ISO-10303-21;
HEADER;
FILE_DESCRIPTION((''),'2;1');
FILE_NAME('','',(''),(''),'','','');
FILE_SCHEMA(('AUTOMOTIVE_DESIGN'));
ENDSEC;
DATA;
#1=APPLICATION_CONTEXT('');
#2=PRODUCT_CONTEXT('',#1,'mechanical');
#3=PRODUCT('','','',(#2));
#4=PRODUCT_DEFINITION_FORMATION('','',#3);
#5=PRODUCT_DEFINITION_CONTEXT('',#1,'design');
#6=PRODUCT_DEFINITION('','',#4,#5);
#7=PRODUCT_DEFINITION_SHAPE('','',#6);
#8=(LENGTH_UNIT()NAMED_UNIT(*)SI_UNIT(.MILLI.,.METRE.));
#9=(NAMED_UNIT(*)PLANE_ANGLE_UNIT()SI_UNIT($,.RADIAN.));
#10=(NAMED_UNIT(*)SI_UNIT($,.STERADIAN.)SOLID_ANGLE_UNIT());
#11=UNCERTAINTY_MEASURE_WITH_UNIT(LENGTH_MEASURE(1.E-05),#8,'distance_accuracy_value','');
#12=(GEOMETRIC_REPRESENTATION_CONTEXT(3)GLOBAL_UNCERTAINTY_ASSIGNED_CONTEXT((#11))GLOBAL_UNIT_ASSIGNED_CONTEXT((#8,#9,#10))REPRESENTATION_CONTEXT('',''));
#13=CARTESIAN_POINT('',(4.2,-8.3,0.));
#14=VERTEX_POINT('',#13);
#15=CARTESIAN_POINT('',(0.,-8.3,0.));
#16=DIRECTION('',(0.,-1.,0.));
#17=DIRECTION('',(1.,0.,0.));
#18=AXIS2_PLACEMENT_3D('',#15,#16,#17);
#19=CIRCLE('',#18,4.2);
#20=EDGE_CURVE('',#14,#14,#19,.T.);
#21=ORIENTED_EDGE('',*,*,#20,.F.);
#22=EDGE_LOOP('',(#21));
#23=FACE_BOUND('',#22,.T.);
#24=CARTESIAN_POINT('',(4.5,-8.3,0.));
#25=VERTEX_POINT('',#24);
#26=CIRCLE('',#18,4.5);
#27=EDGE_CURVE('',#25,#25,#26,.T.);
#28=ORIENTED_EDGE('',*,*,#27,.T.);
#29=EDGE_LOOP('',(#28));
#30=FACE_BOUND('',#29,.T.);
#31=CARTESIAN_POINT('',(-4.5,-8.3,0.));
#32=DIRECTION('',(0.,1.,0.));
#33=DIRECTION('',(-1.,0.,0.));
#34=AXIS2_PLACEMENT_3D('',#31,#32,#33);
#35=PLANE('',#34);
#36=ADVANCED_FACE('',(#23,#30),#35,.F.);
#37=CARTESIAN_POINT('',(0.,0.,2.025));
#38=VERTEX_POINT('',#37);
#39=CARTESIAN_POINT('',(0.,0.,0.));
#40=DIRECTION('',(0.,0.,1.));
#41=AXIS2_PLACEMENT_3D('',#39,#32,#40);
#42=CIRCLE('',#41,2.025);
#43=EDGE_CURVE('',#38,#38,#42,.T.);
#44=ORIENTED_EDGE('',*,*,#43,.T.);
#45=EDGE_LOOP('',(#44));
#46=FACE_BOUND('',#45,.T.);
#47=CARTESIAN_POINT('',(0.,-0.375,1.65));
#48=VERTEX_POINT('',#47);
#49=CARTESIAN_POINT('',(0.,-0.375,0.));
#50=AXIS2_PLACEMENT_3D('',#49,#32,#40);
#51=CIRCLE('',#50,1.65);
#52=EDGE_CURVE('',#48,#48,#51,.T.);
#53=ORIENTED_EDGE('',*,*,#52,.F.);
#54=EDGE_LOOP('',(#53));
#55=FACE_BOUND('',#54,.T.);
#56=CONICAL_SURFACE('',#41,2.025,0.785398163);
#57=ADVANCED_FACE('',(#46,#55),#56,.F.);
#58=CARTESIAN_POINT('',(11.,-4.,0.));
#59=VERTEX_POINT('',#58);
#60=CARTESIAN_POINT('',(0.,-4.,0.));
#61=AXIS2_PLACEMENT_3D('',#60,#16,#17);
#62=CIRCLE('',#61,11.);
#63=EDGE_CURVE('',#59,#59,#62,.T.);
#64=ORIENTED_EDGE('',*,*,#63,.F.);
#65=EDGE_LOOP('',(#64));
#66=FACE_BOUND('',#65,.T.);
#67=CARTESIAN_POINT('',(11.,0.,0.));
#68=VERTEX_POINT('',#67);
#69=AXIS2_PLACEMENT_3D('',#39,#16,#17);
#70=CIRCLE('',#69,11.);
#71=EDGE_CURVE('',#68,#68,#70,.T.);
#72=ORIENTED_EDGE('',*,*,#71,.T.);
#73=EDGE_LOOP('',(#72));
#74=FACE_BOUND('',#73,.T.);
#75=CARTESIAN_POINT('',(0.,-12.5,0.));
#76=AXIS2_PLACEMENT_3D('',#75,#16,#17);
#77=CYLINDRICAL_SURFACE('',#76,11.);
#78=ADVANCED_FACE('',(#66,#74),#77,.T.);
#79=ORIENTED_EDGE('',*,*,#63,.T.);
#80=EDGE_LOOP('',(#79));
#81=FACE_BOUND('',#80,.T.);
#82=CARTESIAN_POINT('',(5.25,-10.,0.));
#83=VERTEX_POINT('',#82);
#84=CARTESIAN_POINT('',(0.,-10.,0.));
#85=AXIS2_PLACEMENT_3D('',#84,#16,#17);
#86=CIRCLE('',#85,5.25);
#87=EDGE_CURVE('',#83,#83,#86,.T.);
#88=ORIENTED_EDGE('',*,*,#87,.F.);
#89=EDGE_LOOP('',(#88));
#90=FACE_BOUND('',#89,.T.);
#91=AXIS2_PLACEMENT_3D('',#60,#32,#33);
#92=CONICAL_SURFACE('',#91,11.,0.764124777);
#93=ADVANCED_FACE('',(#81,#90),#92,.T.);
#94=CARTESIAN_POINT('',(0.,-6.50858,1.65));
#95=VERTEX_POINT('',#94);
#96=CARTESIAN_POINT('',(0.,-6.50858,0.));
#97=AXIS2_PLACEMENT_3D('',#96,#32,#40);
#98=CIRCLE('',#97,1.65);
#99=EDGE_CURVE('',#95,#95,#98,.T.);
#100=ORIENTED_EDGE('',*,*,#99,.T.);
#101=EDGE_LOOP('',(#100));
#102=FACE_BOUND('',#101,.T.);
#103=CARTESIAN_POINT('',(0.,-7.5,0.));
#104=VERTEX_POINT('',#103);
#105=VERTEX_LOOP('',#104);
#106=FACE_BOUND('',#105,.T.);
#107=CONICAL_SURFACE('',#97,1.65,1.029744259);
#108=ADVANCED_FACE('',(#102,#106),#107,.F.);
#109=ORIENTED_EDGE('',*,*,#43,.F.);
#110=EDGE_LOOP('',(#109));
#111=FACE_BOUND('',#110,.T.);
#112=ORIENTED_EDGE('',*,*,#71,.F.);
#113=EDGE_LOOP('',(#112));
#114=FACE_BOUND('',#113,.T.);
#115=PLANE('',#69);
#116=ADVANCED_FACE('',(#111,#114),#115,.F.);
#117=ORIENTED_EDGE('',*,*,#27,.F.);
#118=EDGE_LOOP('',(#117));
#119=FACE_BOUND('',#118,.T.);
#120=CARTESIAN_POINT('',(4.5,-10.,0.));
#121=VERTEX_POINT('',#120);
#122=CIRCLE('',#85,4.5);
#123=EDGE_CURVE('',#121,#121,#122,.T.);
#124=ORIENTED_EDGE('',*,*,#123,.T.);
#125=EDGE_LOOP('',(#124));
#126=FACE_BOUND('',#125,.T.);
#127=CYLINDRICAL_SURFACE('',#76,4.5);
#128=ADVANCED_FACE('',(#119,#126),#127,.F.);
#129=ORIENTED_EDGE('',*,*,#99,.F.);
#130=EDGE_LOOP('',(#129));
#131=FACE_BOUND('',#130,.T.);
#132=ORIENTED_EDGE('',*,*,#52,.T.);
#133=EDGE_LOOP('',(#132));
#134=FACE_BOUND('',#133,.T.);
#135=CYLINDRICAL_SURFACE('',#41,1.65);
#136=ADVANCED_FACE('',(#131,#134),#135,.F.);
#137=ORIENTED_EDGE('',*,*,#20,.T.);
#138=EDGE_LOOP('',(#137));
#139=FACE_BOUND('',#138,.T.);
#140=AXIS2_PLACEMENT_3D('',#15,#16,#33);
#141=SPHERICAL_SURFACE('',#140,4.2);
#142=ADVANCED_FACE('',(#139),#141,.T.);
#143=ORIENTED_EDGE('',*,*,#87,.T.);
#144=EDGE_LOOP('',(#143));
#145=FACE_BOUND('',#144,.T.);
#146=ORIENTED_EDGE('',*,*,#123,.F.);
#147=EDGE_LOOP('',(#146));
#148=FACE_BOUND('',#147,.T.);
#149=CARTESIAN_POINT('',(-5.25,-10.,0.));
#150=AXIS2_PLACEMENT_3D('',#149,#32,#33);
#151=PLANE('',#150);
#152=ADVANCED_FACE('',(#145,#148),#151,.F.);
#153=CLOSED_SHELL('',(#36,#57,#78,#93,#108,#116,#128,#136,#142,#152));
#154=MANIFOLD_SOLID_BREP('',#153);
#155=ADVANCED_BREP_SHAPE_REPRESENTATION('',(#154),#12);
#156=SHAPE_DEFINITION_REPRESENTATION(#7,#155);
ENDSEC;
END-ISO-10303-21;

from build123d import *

# Parameters (mm, degrees)
M4X0_7_TAPPED_HOLE1_D           = 3.3
M4X0_7_TAPPED_HOLE1_DEPTH       = 6.508579979
M4X0_7_TAPPED_HOLE1_CSINK_D     = 4.05
M4X0_7_TAPPED_HOLE1_CSINK_ANGLE = 90
M4X0_7_TAPPED_HOLE1_TIP         = 0.991420021


with BuildPart() as part:
    # Sketch1 → Revolve1 (revolve)
    with BuildSketch(Plane.XY, mode=Mode.PRIVATE) as revolve1_sk:
        with BuildLine():
            Line((0, 0), (-11, 0))
            Line((-11, 0), (-11, -4))
            Line((-11, -4), (-5.25, -10))
            Line((-5.25, -10), (-4.5, -10))
            Line((-4.5, -10), (-4.5, -8.3))
            Line((-4.5, -8.3), (-4.2, -8.3))
            ThreePointArc((-4.2, -8.3), (-2.969848481, -11.269848481), (0, -12.5))
            Line((0, -12.5), (0, 0))
        make_face()
    revolve(revolve1_sk.sketch.rotate(Axis((0, -12.5, 0), (0, 1, 0)), 180), axis=Axis((0, -12.5, 0), (0, 1, 0)))

    # M4x0.7 Tapped Hole1
    with Locations(Plane(origin=(0, 0, 0), x_dir=(1, 0, 0), z_dir=(0, 1, 0))):
        with Locations((0, 0)):
            CounterSinkHole(M4X0_7_TAPPED_HOLE1_D / 2, M4X0_7_TAPPED_HOLE1_CSINK_D / 2, depth=M4X0_7_TAPPED_HOLE1_DEPTH, counter_sink_angle=M4X0_7_TAPPED_HOLE1_CSINK_ANGLE)
            with Locations((0, 0, -(M4X0_7_TAPPED_HOLE1_DEPTH + M4X0_7_TAPPED_HOLE1_TIP / 2))):  # 118° drill point
                Cone(0, M4X0_7_TAPPED_HOLE1_D / 2, M4X0_7_TAPPED_HOLE1_TIP, mode=Mode.SUBTRACT)


solid = part.part
